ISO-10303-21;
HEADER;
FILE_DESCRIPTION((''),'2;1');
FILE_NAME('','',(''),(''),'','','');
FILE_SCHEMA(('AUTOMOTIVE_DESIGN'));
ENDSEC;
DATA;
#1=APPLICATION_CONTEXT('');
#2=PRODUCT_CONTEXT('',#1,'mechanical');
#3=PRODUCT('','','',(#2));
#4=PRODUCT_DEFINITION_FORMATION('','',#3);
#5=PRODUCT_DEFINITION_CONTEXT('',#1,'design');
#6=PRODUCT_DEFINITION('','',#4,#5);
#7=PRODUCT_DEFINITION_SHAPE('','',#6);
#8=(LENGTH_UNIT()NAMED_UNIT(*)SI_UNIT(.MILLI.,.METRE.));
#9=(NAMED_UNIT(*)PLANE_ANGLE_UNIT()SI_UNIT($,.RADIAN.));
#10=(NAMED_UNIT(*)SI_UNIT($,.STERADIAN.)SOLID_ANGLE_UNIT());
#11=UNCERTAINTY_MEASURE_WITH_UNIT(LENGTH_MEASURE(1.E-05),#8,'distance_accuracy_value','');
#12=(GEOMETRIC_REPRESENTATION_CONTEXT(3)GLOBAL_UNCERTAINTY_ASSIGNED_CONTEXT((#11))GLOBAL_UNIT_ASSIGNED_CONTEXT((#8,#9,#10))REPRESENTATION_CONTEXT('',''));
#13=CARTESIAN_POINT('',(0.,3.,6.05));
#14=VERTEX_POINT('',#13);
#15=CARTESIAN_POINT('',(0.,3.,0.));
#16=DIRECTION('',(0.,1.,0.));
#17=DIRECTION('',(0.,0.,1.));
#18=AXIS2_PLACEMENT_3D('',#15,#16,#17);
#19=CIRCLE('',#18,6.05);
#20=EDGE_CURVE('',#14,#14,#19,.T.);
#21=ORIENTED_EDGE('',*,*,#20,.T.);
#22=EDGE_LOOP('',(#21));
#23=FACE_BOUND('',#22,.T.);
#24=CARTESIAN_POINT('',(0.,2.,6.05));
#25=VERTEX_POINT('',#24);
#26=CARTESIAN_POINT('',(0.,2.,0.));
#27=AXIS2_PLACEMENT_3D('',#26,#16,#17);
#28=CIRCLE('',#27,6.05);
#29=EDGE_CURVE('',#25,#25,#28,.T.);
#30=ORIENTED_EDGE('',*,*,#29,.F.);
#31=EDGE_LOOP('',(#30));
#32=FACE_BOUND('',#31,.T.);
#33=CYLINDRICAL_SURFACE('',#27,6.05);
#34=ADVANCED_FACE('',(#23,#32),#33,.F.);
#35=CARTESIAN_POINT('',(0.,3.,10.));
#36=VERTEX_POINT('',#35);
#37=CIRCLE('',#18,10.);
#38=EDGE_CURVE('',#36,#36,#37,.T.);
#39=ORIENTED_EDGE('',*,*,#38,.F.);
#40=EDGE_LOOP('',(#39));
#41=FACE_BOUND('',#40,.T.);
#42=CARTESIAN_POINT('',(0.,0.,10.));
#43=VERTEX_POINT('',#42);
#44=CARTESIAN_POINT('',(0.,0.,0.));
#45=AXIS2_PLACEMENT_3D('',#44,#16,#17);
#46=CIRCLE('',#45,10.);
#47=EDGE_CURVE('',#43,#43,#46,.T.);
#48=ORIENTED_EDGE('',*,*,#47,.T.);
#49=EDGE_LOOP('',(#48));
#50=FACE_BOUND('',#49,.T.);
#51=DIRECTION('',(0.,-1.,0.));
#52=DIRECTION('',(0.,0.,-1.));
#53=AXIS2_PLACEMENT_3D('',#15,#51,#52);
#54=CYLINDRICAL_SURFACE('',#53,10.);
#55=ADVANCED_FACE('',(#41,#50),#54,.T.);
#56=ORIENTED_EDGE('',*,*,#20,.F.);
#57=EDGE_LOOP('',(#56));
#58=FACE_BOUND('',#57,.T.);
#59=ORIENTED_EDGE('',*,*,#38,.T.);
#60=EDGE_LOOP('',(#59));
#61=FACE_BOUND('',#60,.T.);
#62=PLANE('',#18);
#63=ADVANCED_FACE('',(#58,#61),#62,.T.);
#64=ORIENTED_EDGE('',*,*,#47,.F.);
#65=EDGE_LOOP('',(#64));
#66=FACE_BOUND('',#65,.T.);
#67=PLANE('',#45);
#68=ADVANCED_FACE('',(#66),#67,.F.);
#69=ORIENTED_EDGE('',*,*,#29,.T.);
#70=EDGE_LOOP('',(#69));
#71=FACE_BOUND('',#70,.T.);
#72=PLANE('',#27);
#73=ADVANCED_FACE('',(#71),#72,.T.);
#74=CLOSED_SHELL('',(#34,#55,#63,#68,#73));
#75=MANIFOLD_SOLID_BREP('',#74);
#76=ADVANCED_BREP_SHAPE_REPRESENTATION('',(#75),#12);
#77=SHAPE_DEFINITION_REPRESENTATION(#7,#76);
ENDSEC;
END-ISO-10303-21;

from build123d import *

# Parameters (mm, degrees)
SKETCH_1_R          = 10
EXTRUDE_1_DEPTH     = 3
SKETCH_2_R          = 6.05
CUT_EXTRUDE_1_DEPTH = 1


with BuildPart() as part:
    # 草图1 → 凸台-拉伸1 (new body)
    with BuildSketch(Plane(origin=(0, 0, 0), x_dir=(1, 0, 0), z_dir=(0, 1, 0))):
        with Locations(Location((0, 0, 0), (0, 0, 270))):
            Circle(SKETCH_1_R)
    extrude(amount=EXTRUDE_1_DEPTH)

    # 草图2 → 切除-拉伸1 (cut)
    with BuildSketch(Plane(origin=(0, 3, 0), x_dir=(1, 0, 0), z_dir=(0, 1, 0))):
        with Locations(Location((0, 0, 0), (0, 0, 270))):
            Circle(SKETCH_2_R)
    extrude(amount=-CUT_EXTRUDE_1_DEPTH, mode=Mode.SUBTRACT)


solid = part.part
